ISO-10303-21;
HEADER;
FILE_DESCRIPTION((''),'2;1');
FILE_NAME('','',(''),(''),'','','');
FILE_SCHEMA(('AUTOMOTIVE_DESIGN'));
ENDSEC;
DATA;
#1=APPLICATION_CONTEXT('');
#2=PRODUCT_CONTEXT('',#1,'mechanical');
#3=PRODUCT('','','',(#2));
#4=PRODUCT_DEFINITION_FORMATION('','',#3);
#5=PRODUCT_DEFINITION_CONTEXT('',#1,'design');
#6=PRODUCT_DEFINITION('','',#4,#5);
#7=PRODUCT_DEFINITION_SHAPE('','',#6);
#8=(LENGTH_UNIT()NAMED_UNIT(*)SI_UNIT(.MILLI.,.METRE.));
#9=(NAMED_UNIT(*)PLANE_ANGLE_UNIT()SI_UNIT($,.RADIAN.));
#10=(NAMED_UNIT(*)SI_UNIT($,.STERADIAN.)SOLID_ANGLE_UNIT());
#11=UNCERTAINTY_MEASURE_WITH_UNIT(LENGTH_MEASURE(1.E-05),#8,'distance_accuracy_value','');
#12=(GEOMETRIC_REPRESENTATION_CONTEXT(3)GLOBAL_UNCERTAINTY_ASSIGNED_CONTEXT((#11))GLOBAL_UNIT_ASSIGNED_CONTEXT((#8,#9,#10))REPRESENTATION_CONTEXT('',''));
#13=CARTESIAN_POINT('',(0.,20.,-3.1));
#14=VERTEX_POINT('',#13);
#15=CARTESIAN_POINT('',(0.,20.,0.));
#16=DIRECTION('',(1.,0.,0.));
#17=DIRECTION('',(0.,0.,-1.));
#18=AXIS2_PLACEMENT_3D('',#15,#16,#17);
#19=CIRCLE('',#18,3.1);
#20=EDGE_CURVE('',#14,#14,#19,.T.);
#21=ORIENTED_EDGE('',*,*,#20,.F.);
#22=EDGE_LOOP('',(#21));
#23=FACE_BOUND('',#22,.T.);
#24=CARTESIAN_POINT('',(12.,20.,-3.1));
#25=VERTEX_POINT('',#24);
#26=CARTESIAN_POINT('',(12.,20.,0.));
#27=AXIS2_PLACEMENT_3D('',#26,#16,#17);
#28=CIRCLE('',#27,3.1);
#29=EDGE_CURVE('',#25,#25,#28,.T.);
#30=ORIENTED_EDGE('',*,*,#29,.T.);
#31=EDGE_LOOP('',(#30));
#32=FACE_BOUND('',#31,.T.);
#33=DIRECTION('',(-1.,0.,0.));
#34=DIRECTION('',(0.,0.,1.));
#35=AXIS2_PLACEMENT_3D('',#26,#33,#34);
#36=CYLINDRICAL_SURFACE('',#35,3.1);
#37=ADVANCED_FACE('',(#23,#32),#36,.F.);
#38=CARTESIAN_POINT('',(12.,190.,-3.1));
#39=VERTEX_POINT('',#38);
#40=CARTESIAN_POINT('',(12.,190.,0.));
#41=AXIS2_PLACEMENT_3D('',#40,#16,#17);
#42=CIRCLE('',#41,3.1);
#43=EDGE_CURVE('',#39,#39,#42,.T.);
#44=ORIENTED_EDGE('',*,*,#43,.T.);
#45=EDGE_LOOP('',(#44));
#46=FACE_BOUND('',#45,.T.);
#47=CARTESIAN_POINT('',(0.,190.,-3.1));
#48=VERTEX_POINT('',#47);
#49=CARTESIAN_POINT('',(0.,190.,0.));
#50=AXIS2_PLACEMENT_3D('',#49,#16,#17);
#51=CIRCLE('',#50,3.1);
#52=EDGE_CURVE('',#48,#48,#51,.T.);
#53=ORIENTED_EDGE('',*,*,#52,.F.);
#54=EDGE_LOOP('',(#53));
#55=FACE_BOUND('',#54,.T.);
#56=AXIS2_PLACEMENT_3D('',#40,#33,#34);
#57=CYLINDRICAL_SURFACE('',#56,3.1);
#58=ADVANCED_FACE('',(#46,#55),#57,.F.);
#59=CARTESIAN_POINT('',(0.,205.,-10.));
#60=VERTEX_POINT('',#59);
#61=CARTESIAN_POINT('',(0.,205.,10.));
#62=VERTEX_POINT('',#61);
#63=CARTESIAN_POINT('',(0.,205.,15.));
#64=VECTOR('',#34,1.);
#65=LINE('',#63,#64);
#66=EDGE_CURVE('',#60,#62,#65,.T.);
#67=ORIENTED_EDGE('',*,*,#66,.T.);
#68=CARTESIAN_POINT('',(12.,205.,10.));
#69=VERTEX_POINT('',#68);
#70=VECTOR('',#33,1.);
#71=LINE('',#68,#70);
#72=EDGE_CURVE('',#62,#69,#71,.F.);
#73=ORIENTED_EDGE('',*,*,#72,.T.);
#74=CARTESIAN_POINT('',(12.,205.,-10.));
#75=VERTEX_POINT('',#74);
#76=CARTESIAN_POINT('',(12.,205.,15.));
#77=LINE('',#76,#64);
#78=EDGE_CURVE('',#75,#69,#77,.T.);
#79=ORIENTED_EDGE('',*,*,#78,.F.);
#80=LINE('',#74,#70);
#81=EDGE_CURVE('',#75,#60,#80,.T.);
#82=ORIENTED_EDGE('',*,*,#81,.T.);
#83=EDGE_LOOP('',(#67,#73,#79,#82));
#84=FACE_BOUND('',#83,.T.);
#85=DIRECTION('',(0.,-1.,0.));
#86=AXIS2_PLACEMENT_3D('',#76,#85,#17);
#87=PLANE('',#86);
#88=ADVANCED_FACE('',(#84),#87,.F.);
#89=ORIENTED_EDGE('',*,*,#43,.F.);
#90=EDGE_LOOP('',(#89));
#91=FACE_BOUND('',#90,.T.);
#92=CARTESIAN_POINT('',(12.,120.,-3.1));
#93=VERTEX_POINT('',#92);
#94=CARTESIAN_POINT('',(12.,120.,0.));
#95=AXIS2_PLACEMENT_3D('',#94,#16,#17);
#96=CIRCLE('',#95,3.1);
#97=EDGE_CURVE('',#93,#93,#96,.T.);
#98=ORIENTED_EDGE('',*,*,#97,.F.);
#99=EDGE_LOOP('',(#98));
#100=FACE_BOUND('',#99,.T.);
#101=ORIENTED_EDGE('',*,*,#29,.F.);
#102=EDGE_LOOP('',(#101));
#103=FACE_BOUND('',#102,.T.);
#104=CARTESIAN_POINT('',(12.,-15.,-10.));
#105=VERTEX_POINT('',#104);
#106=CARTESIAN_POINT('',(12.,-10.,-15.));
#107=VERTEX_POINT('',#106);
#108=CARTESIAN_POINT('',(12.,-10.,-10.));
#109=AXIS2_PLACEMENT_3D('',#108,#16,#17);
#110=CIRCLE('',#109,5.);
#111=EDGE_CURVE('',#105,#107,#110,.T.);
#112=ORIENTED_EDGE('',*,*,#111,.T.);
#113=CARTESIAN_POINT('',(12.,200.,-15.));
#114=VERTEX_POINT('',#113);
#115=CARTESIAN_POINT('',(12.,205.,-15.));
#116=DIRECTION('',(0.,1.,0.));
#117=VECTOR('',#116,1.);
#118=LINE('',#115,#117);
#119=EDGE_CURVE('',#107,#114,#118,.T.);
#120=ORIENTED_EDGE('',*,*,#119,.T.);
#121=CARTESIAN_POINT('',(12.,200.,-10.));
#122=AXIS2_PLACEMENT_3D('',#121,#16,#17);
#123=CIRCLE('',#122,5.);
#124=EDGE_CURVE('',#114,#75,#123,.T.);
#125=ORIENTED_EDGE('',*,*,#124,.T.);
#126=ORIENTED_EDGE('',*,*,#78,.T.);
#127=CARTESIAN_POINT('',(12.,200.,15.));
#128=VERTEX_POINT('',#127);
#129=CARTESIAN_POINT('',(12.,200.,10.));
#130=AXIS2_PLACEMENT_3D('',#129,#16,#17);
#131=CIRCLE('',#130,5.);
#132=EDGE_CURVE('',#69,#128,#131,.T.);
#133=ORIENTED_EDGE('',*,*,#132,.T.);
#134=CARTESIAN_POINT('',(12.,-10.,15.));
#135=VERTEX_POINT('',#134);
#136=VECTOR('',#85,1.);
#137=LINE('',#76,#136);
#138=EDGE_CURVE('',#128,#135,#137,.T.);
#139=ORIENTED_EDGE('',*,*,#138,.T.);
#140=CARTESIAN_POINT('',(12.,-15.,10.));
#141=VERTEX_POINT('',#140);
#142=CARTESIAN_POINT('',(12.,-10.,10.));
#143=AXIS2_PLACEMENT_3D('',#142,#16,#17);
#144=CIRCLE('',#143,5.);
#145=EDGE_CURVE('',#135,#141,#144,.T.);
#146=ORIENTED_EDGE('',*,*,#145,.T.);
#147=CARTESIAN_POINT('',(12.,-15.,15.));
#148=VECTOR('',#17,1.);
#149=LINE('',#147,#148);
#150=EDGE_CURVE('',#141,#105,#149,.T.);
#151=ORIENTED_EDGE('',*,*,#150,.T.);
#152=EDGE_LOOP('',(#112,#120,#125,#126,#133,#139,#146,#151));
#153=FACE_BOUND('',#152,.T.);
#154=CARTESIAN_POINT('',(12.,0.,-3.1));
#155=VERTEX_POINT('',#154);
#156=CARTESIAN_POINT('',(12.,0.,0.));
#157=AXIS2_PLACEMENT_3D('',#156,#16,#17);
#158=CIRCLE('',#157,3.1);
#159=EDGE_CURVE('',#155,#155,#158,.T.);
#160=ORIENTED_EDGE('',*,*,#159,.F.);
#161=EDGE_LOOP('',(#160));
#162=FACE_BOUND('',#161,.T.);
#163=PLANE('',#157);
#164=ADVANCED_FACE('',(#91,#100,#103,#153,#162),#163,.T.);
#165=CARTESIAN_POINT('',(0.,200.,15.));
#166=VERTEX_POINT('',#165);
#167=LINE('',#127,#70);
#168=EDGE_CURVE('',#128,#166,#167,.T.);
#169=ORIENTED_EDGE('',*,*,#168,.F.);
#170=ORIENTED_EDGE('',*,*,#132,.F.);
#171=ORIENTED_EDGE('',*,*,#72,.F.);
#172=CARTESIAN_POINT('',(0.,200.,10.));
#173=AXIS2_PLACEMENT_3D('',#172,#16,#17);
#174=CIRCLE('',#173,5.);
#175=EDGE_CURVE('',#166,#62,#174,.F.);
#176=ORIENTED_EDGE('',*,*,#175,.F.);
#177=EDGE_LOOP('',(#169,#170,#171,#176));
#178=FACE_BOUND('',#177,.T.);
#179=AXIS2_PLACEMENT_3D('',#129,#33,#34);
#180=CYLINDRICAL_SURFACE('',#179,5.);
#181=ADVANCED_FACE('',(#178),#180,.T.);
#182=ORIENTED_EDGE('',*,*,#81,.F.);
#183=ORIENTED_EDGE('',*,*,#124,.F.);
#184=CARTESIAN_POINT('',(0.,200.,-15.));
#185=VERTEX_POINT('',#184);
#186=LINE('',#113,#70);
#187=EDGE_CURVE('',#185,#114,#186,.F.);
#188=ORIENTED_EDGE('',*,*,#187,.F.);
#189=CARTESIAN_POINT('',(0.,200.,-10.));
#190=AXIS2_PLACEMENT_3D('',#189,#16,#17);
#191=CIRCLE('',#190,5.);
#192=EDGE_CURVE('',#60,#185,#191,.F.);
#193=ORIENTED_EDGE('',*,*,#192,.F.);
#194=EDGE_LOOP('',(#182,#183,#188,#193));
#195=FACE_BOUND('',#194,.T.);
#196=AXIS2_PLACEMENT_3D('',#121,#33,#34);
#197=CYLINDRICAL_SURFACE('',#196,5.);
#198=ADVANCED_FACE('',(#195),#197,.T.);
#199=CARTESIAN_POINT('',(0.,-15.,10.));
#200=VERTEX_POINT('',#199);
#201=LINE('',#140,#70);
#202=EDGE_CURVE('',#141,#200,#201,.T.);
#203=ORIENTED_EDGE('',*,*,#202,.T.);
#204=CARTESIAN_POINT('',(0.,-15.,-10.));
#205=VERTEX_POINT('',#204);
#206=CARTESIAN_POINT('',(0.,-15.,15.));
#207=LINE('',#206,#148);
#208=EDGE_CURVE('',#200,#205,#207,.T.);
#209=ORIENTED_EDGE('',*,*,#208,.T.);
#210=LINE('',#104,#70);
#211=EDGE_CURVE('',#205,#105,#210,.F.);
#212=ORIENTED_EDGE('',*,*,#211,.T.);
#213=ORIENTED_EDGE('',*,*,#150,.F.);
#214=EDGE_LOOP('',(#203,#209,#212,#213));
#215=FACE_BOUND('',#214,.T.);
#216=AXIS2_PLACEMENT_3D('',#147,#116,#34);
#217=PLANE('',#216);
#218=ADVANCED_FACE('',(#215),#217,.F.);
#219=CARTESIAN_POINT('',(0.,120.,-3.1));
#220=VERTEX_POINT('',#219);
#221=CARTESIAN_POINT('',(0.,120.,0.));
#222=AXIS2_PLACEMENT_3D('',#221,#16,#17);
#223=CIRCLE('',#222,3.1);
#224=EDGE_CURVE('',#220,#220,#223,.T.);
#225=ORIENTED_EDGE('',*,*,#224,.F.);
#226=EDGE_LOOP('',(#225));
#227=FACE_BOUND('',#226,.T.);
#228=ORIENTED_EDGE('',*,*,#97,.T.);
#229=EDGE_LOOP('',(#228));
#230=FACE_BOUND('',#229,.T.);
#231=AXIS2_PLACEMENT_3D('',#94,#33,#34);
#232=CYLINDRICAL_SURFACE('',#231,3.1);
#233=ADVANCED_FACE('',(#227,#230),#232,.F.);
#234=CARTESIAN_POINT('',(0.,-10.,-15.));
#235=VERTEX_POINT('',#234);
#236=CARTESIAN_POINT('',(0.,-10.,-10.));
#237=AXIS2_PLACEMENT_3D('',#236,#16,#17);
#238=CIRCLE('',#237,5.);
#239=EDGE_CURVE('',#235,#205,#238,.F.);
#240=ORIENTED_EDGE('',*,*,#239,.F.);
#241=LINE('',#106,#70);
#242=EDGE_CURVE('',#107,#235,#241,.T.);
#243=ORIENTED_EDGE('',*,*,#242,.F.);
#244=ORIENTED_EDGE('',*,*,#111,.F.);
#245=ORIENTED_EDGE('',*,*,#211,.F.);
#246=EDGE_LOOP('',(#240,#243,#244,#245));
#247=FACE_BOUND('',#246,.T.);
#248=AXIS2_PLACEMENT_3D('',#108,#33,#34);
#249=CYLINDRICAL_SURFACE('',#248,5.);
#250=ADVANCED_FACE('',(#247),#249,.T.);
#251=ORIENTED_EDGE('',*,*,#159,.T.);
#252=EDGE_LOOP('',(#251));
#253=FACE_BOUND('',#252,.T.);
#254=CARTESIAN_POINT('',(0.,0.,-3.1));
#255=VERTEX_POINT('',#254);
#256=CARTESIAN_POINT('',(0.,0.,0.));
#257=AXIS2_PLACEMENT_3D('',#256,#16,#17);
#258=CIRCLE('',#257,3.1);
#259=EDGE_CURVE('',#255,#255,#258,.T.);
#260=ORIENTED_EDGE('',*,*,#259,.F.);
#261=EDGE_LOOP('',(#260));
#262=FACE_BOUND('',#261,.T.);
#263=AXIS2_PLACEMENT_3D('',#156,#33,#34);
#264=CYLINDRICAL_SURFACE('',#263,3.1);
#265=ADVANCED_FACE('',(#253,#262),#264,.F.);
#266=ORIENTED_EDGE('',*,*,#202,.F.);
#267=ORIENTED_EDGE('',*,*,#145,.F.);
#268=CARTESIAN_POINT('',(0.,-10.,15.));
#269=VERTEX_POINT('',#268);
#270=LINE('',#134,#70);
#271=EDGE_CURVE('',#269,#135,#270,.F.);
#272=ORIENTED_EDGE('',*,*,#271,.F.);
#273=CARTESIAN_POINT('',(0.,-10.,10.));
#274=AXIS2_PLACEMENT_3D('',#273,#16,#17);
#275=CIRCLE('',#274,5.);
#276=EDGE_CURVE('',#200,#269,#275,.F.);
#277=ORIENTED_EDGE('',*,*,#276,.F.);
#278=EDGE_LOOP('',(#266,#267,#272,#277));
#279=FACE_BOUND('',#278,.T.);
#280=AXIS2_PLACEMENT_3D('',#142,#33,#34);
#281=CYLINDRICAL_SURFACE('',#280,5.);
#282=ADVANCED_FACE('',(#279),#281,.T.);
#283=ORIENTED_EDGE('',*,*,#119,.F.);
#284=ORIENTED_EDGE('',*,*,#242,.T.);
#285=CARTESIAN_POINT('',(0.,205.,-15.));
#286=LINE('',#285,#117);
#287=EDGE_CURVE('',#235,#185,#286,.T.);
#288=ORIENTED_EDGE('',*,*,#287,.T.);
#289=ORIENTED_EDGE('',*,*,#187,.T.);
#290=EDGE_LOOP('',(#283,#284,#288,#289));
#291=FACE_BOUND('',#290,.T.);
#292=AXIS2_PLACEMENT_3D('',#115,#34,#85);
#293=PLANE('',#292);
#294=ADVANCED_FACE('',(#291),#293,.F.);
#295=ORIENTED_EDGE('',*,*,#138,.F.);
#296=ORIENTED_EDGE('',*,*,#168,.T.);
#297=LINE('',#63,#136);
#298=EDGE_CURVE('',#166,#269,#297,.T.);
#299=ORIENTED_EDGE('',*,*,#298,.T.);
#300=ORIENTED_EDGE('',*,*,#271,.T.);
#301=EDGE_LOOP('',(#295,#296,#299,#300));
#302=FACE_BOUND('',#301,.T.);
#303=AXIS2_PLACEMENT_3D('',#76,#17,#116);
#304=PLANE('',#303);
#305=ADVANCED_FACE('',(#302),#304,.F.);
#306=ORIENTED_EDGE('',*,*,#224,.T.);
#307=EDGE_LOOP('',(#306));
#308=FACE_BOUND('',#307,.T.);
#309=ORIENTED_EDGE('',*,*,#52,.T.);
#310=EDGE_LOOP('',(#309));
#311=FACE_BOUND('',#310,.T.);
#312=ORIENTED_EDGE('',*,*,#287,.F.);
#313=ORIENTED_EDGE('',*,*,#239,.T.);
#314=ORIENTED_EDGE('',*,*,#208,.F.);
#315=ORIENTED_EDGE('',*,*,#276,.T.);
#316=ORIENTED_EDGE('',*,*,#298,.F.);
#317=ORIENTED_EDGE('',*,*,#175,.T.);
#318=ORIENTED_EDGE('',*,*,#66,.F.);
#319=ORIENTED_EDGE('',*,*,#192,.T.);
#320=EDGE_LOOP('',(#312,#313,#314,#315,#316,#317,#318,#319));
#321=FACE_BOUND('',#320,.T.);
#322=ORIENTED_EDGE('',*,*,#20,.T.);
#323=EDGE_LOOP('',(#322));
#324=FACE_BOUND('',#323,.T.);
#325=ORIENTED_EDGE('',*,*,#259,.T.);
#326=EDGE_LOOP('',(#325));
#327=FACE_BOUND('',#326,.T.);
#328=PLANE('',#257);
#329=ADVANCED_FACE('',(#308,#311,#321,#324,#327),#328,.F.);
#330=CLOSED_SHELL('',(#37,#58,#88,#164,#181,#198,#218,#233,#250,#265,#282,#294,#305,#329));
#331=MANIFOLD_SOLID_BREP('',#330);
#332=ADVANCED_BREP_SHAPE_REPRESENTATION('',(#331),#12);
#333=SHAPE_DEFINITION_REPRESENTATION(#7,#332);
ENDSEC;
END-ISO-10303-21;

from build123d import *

# Parameters (mm, degrees)
SKETCH1_W           = 30
SKETCH1_H           = 220
SKETCH1_R           = 3.1
BOSS_EXTRUDE1_DEPTH = 12
FILLET1_R           = 5


with BuildPart() as part:
    # Sketch1 → Boss-Extrude1 (new body)
    with BuildSketch(Plane(origin=(0, 0, 0), x_dir=(0, 0, -1), z_dir=(1, 0, 0))):
        with Locations((0, 95)):
            Rectangle(SKETCH1_W, SKETCH1_H)
        Circle(SKETCH1_R, mode=Mode.SUBTRACT)
        with Locations((0, 20)):
            Circle(SKETCH1_R, mode=Mode.SUBTRACT)
        with Locations((0, 120)):
            Circle(SKETCH1_R, mode=Mode.SUBTRACT)
        with Locations((0, 190)):
            Circle(SKETCH1_R, mode=Mode.SUBTRACT)
    extrude(amount=BOSS_EXTRUDE1_DEPTH)

    # Fillet1
    fillet1_edges = [part.edges().sort_by_distance(p)[0] for p in [
        (6, 205, 15),
        (6, 205, -15),
        (6, -15, -15),
        (6, -15, 15),
    ]]
    fillet(fillet1_edges, radius=FILLET1_R)


solid = part.part
